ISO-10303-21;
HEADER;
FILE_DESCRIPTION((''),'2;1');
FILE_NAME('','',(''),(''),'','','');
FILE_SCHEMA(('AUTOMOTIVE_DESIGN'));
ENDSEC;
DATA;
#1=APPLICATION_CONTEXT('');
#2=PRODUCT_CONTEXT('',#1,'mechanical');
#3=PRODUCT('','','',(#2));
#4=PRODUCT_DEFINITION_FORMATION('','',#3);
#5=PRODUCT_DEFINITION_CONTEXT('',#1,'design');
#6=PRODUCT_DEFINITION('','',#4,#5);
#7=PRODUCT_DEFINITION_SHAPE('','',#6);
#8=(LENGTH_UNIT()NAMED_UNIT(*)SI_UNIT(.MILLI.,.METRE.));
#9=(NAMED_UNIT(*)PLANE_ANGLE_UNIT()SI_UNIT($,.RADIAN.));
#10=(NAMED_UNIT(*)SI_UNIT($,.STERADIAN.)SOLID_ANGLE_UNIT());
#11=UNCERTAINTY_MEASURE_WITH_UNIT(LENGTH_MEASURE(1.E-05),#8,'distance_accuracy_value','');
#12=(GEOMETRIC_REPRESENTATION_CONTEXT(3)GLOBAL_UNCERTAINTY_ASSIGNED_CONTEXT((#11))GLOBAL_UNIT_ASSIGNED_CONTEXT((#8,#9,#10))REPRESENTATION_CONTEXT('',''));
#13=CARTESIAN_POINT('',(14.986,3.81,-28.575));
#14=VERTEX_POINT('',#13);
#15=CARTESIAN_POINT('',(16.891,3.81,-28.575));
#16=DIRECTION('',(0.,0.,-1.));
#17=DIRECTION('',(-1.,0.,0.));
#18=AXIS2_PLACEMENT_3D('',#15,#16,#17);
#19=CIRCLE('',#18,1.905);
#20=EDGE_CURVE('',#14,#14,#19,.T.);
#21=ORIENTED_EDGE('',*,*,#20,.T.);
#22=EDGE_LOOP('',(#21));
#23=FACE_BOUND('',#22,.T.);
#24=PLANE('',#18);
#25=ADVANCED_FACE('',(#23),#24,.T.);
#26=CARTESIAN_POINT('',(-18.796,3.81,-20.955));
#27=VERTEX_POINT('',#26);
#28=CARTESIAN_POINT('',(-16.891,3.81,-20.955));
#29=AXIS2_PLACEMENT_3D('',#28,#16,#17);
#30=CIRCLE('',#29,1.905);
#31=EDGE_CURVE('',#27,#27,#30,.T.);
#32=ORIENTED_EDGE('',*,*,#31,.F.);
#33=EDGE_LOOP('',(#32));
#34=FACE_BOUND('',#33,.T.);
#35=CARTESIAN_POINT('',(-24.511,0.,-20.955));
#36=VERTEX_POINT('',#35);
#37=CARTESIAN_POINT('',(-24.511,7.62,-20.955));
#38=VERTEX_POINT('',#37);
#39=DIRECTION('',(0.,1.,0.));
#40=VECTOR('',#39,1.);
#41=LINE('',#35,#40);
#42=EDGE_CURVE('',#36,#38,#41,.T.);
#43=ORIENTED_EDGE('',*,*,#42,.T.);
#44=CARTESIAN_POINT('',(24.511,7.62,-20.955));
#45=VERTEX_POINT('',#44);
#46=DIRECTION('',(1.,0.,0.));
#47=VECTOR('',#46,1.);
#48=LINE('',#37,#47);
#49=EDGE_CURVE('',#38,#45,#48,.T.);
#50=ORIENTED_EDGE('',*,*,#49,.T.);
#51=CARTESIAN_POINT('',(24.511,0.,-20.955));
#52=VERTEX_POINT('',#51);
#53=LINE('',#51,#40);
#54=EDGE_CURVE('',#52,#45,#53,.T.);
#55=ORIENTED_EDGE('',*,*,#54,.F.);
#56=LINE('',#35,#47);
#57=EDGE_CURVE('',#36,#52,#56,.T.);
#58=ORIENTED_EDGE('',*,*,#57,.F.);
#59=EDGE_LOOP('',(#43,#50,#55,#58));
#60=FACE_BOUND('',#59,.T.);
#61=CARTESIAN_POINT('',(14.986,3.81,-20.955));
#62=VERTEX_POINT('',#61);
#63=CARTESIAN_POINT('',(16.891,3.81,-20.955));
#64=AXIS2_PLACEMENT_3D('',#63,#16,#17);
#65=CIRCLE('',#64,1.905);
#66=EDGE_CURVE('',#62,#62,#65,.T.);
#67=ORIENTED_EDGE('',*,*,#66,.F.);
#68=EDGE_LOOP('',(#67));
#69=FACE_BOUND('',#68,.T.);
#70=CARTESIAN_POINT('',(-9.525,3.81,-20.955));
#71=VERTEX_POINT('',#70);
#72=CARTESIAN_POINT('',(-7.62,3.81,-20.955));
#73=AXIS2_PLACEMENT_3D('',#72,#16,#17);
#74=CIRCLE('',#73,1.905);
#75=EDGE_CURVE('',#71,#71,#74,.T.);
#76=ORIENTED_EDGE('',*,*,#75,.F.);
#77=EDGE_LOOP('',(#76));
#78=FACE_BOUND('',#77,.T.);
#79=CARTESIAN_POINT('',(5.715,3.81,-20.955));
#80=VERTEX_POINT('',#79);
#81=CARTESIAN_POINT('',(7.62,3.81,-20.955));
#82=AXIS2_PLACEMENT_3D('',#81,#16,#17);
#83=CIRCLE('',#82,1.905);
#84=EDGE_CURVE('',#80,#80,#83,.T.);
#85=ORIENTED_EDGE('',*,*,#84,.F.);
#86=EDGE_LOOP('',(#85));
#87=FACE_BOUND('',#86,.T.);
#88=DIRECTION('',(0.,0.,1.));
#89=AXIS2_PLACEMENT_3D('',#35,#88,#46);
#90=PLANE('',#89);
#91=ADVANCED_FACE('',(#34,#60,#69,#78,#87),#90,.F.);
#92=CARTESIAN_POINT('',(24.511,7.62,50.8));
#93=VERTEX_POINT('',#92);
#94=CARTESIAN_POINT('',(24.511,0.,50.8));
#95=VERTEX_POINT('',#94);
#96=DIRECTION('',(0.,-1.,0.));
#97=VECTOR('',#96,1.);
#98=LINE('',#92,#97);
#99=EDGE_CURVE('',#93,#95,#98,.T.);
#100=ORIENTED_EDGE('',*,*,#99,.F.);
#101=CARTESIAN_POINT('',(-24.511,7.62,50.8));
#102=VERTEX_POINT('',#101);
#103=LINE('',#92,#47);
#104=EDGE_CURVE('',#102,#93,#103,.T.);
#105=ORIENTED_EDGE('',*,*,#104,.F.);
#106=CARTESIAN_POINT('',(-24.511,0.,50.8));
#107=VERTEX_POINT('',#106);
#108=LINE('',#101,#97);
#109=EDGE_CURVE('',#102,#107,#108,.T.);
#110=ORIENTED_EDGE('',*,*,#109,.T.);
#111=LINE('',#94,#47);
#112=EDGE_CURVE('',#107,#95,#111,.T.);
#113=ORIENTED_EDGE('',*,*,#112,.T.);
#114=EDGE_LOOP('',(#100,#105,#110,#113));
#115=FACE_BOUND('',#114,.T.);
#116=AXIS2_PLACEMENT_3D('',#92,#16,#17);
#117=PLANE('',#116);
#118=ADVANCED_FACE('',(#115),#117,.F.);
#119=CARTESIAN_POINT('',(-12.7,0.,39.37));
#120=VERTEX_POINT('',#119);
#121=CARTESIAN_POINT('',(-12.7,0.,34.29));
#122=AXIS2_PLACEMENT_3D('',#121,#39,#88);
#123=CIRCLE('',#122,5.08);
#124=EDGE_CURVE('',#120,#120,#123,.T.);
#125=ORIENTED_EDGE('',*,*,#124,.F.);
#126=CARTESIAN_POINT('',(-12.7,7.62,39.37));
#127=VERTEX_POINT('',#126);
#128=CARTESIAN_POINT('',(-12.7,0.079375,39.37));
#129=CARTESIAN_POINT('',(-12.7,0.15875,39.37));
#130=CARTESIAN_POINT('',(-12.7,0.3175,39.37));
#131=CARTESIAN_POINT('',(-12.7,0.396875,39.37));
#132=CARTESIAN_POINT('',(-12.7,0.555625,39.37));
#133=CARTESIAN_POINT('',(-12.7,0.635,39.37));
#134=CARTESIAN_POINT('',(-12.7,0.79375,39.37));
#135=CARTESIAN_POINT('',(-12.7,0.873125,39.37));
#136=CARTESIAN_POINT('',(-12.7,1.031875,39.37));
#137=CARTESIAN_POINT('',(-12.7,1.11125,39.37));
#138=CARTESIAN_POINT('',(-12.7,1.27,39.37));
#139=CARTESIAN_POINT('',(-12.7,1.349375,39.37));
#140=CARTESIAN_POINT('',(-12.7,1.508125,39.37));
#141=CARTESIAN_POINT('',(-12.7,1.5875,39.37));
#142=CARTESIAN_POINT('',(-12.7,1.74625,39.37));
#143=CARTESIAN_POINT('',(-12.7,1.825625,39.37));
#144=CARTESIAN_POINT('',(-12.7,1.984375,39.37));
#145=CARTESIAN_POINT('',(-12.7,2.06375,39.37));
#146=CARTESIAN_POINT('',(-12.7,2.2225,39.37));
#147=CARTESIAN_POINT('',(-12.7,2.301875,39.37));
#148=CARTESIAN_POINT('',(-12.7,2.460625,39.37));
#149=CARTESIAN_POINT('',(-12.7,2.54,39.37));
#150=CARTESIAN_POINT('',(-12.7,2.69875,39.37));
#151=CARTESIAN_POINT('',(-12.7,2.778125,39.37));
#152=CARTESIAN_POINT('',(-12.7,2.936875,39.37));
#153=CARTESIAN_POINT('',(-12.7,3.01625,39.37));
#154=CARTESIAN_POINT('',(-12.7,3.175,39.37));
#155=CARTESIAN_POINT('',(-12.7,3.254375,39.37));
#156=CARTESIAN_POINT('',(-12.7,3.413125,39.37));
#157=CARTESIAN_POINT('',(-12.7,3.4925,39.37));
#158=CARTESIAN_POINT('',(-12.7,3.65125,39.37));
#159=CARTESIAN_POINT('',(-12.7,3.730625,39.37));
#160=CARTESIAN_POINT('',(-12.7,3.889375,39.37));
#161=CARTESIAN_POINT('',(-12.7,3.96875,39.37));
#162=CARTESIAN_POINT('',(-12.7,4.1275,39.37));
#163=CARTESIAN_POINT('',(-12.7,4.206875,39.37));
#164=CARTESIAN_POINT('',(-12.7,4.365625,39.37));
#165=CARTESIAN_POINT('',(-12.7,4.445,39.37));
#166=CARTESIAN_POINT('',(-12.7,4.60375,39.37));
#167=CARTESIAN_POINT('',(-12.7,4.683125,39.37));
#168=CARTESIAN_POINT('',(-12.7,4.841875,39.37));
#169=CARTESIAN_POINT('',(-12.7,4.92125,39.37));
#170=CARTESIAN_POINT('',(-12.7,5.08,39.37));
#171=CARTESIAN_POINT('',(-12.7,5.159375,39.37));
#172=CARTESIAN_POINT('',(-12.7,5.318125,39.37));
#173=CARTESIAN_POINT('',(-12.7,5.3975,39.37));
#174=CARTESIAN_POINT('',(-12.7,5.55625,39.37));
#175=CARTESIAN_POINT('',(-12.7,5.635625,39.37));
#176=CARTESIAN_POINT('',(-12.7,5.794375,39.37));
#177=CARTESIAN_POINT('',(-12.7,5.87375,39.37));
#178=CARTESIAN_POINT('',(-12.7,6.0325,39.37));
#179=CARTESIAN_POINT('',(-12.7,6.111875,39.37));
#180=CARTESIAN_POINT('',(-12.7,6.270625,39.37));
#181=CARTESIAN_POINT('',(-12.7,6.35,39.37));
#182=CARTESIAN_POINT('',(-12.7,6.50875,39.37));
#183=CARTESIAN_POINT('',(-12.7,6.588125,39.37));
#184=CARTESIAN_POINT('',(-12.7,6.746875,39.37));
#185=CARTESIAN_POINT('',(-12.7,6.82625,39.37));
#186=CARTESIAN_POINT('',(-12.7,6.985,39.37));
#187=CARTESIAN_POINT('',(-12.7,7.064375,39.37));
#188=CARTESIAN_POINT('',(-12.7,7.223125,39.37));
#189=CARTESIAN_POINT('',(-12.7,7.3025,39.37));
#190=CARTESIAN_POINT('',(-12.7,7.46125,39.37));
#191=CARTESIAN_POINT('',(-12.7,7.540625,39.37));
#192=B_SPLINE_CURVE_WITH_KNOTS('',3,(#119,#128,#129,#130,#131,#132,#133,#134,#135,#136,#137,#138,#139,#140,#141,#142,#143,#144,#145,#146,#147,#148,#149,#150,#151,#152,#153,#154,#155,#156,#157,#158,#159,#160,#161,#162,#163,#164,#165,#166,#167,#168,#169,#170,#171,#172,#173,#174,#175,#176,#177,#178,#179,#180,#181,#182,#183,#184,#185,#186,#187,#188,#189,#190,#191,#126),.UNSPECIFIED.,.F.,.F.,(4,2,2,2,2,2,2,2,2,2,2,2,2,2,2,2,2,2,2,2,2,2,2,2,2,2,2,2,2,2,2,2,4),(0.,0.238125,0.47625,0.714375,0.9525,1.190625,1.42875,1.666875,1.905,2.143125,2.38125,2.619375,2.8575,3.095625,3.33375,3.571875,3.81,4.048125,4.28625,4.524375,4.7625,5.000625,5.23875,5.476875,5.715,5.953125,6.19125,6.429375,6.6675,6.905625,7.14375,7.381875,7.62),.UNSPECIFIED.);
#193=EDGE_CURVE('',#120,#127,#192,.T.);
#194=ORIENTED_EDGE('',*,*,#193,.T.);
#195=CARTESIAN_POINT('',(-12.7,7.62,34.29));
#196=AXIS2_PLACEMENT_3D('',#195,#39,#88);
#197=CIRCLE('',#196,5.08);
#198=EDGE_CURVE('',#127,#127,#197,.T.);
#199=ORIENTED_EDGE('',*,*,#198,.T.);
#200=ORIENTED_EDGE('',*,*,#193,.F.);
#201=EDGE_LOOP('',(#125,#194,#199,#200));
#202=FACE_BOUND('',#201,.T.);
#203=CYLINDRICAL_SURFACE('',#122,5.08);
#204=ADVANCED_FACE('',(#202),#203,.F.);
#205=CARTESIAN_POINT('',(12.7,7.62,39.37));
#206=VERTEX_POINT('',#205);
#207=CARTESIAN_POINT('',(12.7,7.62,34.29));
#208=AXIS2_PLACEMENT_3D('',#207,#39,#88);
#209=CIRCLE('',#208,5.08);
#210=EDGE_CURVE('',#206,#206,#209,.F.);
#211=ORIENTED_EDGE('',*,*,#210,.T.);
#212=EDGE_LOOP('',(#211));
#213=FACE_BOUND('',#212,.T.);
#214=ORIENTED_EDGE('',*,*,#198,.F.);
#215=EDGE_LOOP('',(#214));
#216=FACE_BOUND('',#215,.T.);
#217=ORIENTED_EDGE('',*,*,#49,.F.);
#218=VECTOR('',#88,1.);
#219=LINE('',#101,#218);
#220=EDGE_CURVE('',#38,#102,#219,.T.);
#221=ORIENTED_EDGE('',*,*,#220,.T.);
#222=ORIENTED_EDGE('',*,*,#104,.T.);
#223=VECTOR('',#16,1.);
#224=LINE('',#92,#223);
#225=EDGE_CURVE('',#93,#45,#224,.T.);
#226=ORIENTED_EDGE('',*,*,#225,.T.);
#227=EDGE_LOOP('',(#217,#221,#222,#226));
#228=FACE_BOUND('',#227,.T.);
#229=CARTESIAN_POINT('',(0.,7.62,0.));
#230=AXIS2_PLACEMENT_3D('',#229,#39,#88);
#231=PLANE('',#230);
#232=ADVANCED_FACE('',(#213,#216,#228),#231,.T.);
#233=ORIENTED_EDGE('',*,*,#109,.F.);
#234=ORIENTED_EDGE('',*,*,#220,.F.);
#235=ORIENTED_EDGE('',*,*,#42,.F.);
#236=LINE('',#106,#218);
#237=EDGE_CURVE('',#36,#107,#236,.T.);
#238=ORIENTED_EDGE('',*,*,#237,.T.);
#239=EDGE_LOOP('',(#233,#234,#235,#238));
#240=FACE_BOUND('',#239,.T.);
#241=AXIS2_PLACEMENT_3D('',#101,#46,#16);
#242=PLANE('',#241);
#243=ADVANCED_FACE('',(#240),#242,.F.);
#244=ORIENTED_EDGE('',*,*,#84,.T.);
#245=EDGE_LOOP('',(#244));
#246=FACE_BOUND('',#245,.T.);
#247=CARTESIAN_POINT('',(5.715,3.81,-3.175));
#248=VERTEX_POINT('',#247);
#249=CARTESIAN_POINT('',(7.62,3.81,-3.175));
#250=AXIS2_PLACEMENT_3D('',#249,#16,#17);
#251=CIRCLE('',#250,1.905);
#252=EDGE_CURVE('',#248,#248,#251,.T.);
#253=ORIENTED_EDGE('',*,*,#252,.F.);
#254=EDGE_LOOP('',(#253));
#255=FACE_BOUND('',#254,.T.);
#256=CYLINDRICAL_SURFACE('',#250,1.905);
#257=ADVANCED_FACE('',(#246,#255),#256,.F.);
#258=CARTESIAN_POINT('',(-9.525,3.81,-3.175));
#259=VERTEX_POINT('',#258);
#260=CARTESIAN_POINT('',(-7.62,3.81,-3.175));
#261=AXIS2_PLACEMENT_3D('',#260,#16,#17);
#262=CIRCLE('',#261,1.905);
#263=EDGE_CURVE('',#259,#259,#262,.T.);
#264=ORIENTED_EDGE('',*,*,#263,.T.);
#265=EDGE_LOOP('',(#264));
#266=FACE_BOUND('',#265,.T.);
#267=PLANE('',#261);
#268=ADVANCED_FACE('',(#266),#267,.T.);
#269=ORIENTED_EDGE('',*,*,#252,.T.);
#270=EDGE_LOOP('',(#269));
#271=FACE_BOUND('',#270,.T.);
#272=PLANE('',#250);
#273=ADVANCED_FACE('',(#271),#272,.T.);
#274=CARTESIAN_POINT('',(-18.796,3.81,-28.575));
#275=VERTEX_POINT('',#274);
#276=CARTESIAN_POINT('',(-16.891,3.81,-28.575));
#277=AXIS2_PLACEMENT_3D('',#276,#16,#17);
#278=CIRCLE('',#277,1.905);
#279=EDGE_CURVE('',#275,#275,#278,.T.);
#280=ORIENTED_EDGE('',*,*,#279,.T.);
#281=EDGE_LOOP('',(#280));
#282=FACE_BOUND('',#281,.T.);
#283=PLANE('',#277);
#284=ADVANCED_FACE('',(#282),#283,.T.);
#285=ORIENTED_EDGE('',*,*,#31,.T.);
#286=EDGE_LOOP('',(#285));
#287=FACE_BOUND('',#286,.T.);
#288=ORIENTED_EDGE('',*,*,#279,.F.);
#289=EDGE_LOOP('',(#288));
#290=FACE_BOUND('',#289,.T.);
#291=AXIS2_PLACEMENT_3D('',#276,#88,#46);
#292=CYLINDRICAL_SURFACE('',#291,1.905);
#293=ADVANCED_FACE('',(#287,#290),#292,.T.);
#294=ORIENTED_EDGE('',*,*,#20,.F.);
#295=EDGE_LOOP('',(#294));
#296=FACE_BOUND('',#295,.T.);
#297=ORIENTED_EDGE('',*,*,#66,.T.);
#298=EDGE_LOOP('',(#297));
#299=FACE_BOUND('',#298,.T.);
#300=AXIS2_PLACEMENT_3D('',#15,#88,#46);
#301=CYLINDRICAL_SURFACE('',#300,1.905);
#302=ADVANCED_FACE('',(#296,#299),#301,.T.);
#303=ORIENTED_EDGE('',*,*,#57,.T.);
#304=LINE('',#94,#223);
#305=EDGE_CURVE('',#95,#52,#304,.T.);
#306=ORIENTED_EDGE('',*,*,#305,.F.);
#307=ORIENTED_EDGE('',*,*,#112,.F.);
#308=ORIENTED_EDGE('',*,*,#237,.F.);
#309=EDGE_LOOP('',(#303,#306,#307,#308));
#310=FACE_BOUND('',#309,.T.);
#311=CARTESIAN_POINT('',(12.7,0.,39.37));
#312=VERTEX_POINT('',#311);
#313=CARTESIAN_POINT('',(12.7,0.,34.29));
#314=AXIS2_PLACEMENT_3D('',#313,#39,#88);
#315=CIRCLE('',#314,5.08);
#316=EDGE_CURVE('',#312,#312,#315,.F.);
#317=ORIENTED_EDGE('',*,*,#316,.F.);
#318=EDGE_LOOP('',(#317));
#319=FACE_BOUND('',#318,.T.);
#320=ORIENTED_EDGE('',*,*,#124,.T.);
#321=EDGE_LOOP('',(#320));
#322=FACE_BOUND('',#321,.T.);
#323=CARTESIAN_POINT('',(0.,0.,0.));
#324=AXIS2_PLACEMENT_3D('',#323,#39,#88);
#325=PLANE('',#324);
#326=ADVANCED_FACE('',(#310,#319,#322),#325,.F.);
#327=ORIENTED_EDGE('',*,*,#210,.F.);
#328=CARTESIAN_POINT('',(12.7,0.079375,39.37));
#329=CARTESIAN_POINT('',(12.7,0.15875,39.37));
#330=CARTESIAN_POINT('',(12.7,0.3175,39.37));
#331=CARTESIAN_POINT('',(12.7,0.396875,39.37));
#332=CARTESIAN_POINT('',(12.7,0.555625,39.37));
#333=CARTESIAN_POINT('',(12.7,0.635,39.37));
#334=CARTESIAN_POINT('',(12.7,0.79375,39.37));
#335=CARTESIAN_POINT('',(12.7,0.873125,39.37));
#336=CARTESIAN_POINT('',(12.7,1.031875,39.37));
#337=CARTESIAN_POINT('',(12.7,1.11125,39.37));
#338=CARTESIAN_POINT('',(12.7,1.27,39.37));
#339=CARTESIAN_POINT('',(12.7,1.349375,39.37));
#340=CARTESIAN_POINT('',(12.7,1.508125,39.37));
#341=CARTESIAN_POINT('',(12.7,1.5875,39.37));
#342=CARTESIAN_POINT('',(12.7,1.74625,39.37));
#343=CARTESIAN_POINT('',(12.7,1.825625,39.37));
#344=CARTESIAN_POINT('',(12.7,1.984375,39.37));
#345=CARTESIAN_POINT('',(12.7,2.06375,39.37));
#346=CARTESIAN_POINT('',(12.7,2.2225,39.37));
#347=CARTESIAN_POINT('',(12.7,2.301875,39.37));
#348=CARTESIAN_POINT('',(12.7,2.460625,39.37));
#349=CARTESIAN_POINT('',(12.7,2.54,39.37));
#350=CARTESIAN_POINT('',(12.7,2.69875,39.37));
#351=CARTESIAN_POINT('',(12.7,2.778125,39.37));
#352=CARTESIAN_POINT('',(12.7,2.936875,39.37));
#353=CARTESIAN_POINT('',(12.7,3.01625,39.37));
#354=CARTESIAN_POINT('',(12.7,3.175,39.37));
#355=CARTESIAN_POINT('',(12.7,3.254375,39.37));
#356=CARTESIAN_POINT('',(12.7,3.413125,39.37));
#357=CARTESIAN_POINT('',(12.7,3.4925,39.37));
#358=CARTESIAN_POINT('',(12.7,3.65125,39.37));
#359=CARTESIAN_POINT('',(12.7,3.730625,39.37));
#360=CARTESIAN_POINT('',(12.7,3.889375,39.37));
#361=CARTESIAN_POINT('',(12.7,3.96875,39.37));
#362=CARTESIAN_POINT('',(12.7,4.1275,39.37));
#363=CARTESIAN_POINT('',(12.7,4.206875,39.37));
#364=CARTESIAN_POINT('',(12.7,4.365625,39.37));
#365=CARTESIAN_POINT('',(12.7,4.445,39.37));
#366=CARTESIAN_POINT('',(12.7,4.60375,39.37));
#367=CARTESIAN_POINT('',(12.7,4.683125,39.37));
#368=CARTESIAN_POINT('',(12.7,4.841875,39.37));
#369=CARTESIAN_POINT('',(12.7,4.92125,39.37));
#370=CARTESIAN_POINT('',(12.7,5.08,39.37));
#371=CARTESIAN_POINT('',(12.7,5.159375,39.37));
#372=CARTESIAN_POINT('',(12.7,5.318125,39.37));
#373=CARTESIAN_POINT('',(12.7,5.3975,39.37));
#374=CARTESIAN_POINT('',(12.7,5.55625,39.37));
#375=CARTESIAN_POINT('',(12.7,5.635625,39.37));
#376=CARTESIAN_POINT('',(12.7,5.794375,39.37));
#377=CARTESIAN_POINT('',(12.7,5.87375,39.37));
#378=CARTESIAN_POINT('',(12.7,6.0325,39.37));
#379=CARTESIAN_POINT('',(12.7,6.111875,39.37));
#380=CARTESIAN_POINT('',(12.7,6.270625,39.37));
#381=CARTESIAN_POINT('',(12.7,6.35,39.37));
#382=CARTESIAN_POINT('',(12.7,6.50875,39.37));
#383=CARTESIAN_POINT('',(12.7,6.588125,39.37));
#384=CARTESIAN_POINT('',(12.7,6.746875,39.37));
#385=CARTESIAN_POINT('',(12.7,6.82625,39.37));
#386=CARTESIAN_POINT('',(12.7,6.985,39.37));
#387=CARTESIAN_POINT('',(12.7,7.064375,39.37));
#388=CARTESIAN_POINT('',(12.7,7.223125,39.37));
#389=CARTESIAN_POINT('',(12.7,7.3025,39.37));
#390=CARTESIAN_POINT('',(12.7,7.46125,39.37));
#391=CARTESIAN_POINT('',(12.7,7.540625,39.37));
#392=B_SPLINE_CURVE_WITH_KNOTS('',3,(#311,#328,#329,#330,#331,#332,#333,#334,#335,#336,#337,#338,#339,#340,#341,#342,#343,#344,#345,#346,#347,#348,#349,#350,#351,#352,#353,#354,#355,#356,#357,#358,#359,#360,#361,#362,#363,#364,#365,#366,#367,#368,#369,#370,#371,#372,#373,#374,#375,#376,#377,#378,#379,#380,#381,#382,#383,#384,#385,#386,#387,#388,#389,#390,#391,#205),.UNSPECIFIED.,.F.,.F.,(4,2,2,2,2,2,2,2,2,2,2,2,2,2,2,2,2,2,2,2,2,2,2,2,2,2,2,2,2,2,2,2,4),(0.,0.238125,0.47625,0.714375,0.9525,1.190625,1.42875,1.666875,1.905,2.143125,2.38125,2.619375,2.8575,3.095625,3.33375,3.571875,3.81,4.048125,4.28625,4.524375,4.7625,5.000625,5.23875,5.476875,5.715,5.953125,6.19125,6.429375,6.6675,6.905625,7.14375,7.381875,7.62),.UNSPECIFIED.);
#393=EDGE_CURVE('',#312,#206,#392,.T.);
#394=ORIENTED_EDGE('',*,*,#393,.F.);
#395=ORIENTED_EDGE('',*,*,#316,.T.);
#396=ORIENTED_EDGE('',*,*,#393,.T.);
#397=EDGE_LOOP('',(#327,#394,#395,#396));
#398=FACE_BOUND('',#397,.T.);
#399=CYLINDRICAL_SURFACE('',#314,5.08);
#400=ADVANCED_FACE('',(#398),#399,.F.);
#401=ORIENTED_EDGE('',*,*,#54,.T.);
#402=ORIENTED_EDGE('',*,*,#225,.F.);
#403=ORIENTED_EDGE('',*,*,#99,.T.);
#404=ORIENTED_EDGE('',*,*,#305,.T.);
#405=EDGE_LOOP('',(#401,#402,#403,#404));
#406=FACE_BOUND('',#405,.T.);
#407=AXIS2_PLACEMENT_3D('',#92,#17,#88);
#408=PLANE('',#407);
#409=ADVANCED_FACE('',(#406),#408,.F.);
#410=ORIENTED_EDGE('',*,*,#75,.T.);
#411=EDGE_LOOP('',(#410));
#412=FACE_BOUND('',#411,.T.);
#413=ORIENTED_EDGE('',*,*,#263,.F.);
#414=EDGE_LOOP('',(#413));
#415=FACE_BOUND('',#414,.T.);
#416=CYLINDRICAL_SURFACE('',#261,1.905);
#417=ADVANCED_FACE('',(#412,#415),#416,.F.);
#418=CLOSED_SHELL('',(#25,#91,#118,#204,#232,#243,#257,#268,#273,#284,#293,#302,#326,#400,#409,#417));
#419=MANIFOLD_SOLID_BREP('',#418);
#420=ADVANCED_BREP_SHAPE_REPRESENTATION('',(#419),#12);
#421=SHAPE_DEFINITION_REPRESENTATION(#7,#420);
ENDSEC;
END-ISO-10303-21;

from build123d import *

# Parameters (mm, degrees)
SKETCH1_W           = 49.022
SKETCH1_H           = 101.6
BOSS_EXTRUDE1_DEPTH = 7.62
SKETCH2_R           = 5.08
CUT_EXTRUDE1_DEPTH  = 7.62
SKETCH4_W           = 49.022
SKETCH4_H           = 29.845
CUT_EXTRUDE2_DEPTH  = 57.916548745
SKETCH5_R           = 1.905
CUT_EXTRUDE3_DEPTH  = 17.78
BOSS_EXTRUDE3_START = 25.4
SKETCH6_R           = 1.905
BOSS_EXTRUDE3_DEPTH = 25.4


with BuildPart() as part:
    # Sketch1 → Boss-Extrude1 (new body)
    with BuildSketch(Plane(origin=(0, 0, 0), x_dir=(1, 0, 0), z_dir=(0, 1, 0))):
        Rectangle(SKETCH1_W, SKETCH1_H)
    extrude(amount=BOSS_EXTRUDE1_DEPTH)

    # Sketch2 → Cut-Extrude1 (cut)
    with BuildSketch(Plane(origin=(0, 7.62, 0), x_dir=(1, 0, 0), z_dir=(0, 1, 0))):
        with Locations(Location((12.7, -34.29, 0), (0, 0, 270))):
            Circle(SKETCH2_R)
        with Locations(Location((-12.7, -34.29, 0), (0, 0, 270))):
            Circle(SKETCH2_R)
    extrude(amount=-CUT_EXTRUDE1_DEPTH, mode=Mode.SUBTRACT)

    # Sketch4 → Cut-Extrude2 (cut, through all)
    with BuildSketch(Plane(origin=(0, 7.62, 0), x_dir=(1, 0, 0), z_dir=(0, 1, 0))):
        with Locations((0, 35.8775)):
            Rectangle(SKETCH4_W, SKETCH4_H)
    extrude(amount=-CUT_EXTRUDE2_DEPTH, mode=Mode.SUBTRACT)

    # Sketch5 → Cut-Extrude3 (cut)
    with BuildSketch(Plane(origin=(0, 0, -20.955), x_dir=(-1, 0, 0), z_dir=(0, 0, -1))):
        with Locations((-16.891, 3.81)):
            Circle(SKETCH5_R)
        with Locations((-7.62, 3.81)):
            Circle(SKETCH5_R)
        with Locations((7.62, 3.81)):
            Circle(SKETCH5_R)
        with Locations((16.891, 3.81)):
            Circle(SKETCH5_R)
    extrude(amount=-CUT_EXTRUDE3_DEPTH, mode=Mode.SUBTRACT)

    # Sketch6 → Boss-Extrude3 (add)
    with BuildSketch(Plane(origin=(0, 0, -3.175), x_dir=(-1, 0, 0), z_dir=(0, 0, -1)).offset(BOSS_EXTRUDE3_START)):
        with Locations((-16.891, 3.81)):
            Circle(SKETCH6_R)
        with Locations((16.891, 3.81)):
            Circle(SKETCH6_R)
    extrude(amount=-BOSS_EXTRUDE3_DEPTH)


solid = part.part
